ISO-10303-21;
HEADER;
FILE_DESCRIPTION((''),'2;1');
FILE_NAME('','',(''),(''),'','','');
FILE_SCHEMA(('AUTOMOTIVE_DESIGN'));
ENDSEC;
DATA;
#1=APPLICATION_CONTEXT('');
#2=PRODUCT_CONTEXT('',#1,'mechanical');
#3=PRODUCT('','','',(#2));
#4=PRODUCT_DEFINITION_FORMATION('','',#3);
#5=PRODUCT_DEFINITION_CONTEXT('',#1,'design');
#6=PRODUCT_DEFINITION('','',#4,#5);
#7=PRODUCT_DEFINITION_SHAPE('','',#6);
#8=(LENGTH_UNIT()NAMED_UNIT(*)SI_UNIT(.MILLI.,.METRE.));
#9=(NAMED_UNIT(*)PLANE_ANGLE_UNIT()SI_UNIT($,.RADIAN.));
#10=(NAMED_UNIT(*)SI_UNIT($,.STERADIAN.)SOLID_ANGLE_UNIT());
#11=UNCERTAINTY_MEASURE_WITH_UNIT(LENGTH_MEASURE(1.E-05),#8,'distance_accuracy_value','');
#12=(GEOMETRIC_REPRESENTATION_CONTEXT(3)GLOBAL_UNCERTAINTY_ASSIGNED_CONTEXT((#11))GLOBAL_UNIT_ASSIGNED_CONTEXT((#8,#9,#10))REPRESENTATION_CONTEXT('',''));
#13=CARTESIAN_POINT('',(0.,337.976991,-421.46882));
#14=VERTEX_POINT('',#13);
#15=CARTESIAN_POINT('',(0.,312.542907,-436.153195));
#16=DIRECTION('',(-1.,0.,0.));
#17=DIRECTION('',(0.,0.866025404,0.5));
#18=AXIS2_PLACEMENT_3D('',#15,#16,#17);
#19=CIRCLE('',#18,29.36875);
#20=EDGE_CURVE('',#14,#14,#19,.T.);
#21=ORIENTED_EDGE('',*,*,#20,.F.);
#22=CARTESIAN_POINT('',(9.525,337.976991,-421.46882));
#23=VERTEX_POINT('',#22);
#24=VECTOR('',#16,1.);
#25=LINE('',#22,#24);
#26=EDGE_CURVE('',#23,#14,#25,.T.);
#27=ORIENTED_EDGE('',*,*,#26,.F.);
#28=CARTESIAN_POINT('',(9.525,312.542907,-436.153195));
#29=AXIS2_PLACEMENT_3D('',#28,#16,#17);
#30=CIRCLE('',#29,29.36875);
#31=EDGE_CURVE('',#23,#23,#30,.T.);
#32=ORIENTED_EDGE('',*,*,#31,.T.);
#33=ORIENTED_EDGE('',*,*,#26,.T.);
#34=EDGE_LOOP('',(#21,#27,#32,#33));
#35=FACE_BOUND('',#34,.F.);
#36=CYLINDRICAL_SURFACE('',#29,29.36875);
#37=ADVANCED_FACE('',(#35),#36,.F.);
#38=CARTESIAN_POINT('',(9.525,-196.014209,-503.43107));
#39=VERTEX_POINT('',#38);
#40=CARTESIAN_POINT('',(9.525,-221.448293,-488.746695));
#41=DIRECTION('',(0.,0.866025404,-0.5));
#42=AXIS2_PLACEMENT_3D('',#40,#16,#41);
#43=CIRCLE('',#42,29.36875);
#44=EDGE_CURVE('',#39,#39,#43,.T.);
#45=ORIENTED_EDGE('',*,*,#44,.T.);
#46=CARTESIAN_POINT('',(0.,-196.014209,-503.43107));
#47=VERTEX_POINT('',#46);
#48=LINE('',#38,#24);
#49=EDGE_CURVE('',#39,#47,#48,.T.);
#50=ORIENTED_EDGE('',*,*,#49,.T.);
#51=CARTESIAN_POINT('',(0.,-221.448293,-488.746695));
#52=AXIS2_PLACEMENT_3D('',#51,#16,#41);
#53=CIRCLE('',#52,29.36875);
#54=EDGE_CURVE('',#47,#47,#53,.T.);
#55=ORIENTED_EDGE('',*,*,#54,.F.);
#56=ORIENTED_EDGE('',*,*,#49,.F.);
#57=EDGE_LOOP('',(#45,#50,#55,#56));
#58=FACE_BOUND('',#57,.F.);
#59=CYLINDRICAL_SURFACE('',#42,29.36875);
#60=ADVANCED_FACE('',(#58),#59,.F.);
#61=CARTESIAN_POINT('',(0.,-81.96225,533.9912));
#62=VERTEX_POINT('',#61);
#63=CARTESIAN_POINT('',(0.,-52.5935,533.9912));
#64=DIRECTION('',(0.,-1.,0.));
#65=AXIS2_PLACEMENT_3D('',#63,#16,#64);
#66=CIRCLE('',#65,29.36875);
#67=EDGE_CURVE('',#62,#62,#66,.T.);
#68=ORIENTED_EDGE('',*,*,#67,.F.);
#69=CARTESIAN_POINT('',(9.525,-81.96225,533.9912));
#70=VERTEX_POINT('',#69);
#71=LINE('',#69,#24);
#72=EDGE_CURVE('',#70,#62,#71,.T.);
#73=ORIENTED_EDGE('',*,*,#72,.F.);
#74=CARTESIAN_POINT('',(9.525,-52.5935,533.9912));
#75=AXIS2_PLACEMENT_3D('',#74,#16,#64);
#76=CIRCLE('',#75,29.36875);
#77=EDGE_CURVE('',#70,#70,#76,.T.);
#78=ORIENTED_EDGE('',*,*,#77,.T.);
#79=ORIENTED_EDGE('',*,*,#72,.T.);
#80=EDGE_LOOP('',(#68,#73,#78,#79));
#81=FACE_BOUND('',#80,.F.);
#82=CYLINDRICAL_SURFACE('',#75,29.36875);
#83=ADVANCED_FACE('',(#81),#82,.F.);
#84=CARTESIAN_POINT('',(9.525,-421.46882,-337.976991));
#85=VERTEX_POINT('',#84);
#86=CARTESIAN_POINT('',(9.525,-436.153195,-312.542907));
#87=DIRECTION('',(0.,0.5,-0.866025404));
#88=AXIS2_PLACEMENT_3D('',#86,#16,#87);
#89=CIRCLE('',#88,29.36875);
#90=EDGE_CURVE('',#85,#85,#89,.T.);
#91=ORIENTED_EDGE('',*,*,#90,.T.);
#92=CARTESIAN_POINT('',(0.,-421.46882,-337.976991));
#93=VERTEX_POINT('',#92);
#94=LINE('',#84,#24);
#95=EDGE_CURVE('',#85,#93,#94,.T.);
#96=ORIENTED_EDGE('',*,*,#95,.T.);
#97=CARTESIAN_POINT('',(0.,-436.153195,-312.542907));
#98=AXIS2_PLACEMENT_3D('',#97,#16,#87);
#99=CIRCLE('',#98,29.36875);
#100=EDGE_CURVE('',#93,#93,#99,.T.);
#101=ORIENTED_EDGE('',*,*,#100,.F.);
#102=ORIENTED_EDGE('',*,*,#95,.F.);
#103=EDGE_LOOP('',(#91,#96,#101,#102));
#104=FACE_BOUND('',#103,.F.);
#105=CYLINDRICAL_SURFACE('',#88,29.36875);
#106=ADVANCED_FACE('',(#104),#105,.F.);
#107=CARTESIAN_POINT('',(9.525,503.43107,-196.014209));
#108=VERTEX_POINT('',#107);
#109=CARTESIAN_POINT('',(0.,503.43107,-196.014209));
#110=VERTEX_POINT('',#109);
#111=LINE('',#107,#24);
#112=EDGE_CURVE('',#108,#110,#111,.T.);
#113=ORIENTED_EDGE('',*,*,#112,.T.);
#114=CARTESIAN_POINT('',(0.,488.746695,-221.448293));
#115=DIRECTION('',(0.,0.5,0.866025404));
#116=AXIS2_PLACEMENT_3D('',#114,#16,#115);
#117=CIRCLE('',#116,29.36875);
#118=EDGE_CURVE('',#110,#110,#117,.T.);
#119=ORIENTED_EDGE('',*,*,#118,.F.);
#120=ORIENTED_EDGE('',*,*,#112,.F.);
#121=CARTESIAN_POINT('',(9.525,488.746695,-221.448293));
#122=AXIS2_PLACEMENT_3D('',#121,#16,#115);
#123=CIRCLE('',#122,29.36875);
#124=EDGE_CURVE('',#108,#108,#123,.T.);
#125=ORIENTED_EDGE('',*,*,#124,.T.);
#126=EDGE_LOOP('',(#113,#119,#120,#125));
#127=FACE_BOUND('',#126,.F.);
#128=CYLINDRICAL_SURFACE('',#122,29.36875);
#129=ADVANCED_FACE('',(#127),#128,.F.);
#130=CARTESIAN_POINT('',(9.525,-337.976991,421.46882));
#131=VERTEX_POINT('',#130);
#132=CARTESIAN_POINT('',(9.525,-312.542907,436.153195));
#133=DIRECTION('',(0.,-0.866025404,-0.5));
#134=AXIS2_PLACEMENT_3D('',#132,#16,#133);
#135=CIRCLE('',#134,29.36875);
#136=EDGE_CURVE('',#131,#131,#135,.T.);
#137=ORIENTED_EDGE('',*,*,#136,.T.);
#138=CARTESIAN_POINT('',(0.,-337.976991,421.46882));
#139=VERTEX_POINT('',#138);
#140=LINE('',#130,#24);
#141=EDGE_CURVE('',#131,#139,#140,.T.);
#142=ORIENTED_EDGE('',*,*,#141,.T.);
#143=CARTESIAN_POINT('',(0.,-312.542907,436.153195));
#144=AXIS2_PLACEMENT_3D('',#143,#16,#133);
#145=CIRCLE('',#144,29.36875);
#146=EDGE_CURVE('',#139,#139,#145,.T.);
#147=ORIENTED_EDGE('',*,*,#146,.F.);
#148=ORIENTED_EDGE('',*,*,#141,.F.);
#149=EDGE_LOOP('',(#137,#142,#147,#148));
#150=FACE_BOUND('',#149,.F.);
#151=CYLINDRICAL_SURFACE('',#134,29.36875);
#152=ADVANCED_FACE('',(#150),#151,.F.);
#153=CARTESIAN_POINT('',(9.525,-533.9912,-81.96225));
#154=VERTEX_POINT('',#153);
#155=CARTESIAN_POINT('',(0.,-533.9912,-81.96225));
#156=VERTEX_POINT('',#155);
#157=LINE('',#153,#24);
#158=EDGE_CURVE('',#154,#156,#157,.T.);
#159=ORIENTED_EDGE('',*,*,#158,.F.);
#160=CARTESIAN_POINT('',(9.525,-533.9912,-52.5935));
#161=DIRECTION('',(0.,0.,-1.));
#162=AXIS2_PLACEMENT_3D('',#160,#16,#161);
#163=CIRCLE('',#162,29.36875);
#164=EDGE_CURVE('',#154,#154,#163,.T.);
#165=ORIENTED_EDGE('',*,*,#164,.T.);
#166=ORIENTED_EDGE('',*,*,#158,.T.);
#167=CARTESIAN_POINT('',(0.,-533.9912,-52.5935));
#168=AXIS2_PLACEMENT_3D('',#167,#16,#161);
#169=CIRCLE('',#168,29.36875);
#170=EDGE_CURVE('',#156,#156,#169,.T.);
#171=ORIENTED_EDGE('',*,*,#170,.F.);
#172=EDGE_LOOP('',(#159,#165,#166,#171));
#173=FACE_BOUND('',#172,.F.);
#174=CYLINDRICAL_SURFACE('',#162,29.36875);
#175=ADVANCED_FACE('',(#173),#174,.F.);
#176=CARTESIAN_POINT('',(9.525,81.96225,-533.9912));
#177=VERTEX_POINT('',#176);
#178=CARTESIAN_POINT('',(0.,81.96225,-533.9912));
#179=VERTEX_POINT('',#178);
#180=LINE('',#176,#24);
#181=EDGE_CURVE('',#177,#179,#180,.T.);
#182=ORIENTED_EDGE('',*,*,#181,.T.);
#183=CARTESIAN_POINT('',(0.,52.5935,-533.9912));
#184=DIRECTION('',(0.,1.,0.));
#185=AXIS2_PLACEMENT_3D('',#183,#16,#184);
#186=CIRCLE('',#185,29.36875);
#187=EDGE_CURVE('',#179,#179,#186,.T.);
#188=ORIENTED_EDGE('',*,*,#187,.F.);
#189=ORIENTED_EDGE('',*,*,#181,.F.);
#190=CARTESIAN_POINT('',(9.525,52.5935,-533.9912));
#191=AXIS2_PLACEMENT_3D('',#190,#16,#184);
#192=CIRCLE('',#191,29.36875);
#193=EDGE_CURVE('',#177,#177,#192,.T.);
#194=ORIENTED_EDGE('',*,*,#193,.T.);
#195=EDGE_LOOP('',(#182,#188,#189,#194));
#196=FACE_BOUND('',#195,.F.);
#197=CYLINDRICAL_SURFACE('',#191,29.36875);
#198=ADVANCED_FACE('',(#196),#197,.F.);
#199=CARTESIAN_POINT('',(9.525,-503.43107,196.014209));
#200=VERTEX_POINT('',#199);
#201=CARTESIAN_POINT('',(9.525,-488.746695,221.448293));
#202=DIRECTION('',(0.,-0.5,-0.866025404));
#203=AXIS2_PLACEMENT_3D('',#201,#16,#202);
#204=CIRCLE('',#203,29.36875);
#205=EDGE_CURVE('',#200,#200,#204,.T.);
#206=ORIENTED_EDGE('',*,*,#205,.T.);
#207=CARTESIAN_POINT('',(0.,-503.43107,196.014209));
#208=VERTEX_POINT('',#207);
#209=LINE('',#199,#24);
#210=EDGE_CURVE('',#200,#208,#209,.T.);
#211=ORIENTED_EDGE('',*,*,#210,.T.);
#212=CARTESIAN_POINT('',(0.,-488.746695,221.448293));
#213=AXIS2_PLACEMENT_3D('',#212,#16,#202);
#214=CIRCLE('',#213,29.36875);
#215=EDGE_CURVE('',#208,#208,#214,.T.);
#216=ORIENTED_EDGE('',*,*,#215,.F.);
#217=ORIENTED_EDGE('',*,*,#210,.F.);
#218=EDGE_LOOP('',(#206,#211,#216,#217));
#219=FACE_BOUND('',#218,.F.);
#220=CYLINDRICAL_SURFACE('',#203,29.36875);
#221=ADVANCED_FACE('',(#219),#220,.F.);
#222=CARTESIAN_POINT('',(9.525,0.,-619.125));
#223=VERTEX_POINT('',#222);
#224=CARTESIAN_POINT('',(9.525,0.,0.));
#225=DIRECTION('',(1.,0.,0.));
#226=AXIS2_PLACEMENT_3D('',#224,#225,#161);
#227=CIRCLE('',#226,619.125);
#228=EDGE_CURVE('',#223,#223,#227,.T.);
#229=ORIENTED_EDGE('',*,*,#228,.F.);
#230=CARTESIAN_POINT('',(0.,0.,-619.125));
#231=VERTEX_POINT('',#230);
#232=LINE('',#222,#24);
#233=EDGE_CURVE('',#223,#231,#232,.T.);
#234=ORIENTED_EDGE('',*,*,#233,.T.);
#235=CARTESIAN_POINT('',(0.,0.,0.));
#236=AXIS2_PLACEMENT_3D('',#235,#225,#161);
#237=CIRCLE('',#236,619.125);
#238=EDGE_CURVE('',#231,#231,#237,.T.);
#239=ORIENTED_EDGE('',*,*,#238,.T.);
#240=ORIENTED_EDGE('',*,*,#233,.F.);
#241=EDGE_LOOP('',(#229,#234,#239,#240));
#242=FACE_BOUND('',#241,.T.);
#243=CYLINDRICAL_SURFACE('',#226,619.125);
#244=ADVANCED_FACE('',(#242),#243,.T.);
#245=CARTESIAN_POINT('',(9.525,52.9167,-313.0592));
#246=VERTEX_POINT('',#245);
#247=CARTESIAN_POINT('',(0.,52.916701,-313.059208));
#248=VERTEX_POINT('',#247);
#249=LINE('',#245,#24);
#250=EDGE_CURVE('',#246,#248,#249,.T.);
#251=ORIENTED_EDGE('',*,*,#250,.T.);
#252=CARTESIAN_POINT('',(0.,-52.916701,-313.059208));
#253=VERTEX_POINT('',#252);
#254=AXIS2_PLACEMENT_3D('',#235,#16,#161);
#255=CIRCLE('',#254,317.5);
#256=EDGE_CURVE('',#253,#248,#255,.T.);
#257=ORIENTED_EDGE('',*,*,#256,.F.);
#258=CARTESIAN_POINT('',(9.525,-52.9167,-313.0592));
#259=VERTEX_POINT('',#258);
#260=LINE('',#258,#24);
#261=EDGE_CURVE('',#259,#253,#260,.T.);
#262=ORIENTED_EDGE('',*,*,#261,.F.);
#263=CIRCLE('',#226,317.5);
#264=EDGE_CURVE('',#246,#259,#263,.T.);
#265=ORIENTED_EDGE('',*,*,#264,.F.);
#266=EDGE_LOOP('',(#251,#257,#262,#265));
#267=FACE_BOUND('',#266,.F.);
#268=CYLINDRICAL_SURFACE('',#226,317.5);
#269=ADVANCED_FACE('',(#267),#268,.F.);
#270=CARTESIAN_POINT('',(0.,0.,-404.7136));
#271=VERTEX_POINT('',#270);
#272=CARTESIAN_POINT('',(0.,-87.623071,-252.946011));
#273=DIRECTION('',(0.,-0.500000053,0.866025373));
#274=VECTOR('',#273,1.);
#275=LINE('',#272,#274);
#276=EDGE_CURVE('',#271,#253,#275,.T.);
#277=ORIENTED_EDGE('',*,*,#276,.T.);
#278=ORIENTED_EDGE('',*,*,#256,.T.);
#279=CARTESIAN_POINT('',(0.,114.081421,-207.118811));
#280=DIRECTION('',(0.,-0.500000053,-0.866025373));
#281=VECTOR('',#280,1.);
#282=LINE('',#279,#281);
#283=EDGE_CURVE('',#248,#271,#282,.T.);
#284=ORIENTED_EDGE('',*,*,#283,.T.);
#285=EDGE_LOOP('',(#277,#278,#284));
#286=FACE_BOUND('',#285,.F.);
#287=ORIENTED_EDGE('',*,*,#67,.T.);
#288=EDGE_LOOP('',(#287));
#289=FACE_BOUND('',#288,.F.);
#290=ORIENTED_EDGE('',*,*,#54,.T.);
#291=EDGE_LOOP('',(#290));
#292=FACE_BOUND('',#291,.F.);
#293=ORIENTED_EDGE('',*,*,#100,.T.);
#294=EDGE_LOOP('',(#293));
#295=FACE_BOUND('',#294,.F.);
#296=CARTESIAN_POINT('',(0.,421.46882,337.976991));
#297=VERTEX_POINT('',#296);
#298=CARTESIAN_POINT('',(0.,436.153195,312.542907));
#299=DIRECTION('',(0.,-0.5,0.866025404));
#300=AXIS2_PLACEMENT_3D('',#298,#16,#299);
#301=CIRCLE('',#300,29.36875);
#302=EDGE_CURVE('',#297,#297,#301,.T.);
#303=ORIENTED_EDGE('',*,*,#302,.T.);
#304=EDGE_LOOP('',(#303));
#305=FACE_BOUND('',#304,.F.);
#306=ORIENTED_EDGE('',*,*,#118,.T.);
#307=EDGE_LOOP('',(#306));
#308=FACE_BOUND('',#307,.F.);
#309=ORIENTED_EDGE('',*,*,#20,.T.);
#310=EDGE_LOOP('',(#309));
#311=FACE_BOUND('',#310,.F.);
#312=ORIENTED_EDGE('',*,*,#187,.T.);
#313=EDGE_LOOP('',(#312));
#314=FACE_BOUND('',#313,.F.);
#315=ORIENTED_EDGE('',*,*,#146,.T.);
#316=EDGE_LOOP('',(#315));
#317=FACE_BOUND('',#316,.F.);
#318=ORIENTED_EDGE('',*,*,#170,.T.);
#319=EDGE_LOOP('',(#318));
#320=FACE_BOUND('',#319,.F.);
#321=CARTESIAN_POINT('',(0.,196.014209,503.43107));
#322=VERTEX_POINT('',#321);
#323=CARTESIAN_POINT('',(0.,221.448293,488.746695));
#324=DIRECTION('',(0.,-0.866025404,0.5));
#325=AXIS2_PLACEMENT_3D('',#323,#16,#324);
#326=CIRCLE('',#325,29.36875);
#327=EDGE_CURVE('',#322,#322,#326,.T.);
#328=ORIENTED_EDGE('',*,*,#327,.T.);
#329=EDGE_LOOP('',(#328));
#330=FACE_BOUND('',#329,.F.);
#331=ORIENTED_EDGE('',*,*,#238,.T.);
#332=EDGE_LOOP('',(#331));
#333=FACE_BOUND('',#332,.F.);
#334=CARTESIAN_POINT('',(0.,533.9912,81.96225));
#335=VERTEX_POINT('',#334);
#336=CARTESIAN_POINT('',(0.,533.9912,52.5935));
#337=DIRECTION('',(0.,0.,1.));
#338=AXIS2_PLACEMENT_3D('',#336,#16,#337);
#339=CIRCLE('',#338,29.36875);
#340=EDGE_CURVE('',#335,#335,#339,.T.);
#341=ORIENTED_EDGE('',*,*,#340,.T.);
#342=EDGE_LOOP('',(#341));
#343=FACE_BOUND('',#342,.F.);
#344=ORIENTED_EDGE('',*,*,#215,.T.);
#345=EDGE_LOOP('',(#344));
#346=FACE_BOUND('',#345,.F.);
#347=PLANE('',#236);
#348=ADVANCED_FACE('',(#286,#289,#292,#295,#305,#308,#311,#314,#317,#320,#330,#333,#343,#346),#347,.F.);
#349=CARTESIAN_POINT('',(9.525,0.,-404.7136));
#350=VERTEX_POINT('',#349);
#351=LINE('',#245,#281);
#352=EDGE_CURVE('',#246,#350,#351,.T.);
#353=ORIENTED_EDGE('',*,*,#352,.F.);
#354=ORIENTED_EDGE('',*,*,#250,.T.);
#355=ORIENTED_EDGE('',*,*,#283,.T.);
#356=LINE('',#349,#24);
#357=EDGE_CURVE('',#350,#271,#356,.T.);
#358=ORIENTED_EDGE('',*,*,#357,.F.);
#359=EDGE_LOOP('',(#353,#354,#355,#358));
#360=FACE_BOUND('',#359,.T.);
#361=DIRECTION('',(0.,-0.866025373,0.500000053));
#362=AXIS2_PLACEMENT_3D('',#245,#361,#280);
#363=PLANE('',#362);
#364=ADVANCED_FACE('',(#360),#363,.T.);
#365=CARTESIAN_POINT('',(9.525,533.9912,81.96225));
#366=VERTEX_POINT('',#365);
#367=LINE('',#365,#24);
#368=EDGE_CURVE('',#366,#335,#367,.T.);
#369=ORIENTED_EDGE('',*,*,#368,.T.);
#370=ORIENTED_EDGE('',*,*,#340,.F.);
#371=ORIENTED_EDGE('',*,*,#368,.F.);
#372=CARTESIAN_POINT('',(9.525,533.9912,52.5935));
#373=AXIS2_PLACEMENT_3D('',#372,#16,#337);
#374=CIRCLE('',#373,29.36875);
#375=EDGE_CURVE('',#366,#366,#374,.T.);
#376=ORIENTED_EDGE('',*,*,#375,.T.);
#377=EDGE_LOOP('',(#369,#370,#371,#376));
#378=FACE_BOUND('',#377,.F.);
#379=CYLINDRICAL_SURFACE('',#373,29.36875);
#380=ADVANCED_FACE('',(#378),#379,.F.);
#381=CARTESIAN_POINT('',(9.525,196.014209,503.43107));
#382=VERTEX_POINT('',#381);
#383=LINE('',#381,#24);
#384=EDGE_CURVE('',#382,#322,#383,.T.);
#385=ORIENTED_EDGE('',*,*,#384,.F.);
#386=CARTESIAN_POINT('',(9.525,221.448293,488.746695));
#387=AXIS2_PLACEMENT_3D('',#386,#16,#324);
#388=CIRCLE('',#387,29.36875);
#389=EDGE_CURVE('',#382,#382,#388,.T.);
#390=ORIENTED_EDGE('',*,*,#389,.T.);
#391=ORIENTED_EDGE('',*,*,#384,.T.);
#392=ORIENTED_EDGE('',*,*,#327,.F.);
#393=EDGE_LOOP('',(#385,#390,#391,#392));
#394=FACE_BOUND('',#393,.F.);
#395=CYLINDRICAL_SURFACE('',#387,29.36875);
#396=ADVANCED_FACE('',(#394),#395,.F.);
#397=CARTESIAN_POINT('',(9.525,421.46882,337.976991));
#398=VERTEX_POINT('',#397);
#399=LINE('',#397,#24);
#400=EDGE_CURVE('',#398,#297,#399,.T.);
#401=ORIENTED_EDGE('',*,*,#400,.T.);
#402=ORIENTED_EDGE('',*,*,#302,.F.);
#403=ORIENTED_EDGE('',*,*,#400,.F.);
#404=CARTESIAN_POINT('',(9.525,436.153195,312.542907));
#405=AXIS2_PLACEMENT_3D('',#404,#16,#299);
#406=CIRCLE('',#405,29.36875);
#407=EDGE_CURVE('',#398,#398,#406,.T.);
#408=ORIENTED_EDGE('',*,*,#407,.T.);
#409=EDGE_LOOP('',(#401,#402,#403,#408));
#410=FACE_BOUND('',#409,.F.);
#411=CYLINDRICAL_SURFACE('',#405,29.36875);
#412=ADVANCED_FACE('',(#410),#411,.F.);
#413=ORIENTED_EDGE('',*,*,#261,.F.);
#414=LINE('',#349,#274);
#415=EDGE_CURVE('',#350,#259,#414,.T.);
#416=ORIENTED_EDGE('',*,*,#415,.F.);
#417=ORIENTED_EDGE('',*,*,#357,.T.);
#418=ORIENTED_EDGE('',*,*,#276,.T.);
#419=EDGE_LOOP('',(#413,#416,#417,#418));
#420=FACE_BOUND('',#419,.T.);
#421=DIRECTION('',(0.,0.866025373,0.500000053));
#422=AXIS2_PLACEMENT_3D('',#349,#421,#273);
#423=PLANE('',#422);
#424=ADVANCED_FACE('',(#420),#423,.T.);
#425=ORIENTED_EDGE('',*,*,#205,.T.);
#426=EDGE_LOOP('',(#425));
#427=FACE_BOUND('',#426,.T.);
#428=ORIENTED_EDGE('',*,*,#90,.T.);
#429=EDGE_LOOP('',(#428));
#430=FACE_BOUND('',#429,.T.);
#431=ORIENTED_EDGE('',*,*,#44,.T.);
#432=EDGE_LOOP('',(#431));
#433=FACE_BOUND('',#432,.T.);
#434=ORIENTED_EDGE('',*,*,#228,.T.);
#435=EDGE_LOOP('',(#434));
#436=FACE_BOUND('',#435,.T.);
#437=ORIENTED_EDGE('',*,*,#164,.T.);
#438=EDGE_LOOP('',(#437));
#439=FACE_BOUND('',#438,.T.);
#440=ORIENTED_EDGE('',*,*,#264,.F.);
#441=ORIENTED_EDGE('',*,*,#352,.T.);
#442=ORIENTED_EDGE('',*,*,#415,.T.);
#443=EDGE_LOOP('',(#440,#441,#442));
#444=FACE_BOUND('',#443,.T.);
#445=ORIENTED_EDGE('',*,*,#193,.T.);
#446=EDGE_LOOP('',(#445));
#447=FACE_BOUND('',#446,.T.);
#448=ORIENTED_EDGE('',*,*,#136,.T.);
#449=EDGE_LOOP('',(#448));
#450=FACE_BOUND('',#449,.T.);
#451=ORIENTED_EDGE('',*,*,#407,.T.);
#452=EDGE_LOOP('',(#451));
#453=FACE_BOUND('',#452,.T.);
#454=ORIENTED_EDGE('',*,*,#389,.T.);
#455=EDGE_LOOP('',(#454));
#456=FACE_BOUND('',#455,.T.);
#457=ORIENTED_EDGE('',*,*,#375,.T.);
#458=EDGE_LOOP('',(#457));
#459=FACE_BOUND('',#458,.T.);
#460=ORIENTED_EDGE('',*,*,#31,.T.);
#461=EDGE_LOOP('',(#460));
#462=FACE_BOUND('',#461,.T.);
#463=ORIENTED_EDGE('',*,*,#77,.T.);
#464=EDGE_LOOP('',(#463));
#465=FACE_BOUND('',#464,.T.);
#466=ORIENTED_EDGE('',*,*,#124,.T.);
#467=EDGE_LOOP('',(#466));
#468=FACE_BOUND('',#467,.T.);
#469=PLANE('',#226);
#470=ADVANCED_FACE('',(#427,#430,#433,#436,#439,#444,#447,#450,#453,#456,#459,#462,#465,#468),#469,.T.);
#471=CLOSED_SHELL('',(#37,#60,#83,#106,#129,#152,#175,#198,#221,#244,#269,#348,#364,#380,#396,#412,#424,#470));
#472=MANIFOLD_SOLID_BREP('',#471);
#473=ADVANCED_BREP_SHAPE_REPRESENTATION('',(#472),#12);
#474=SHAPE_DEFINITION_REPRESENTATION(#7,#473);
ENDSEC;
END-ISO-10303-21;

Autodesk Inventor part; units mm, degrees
ref_plane "UCSBasePlConstraintOrigin: YZ Plane" through (0, 0, 0) normal (0, 0, -1) x (0, 1, 0)
ref_plane "UCSBasePlConstraintOrigin: XZ Plane" through (0, 0, 0) normal (0, 1, 0) x (1, 0, 0)
ref_plane "BASE_PLATE_FACE" through (9.525, 0, 0) normal (1, 0, 0) x (0, 1, 0)
sketch "BASE_PLATE_SKETCH" plane through (9.525, 0, 0) normal (1, 0, 0) x (0, 0, -1)
  circle A0 centre (0, 0) radius 536.575 construction
  circle A1 centre (0, 0) radius 317.5
  line L0 (0, 536.575) -> (0, 536.575) construction
  circle A2 centre (0, 0) radius 619.125
  line L1 (0, 0) -> (-52.5935, -533.9912) construction
  line L2 (0, 0) -> (52.5935, -533.9912) construction
  line L3 (313.0592, 52.9167) -> (404.7136, 0)
  line L4 (404.7136, 0) -> (313.0592, -52.9167)
  line L5 (313.0592, -52.9167) -> (313.0592, 52.9167)
  line L6 (0, 0) -> (0, 536.575) construction
  line L7 (0, 0) -> (267.5578, 465.1081) construction
  point P0 (-619.125, 0)
  point P1 (619.125, 0)
  point P2 (0, 619.125)
  point P3 (0, -619.125)
  point P4 (0, 619.125)
  point P5 (619.125, 0)
  point P6 (0, -619.125)
  point P7 (-619.125, 0)
  point P8 (343.6107, 0)
  point P9 (313.0592, 0)
  point P10 (313.0592, -52.9167)
  dimension "GapSize" = 9.525
  dimension "SeamGap" = 0.0051
  dimension "Thickness" = 9.525
  dimension "BendRadius" = 9.525
  dimension "MinimumRemnant" = 19.05
  dimension "BendReliefDepth" = 4.7625
  dimension "BendReliefWidth" = 9.525
  dimension "CornerReliefSize" = 38.1
  dimension "JacobiRadiusSize" = 9.525
  dimension "TransitionRadius" = 9.525
  dimension "TEMPLATE_CENTER_HOLE_DIA" = 635
  dimension "NUMBER_OF_HOLES_IN_BOLT_PLATE" = 12
  dimension "BOLT_CIRCLE_DIA" = 1073.15
  dimension "TEMPLATE_DIA" = 1238.25
  dimension "PARENT_HOLE_ANG_L" = 5.625
  dimension "PARENT_HOLE_ANG_R" = 5.625
  dimension "NOTCH_LEG" = 105.8333
  dimension "d297" = 105.8333
  dimension "LEADER_PLACE_A_ANG" = 29.91
extrude "BASE_PLATE_BODY" add sketch "BASE_PLATE_SKETCH" against normal up to surface (9.525 mm away) contours A1 L3 L4 | A2
ref_plane "SHAFT_MOUNTING_PLANE" through (9.525, 0, 0) normal (1, 0, 0) x (0, 1, 0)
hole "PARENT_HOLE" at (9.525, -533.9912, -52.5935) direction (-1, 0, 0) diameter 58.7375 depth 9.525 tip angle 118
pattern_circular "BOLT_HOLES" count 12 over 360 about axis through (-10, 0, 0) along (1, 0, 0) of "PARENT_HOLE"
ref_plane "DimPlaneRight" through (0, 0, -619.125) normal (0, 0, 1) x (1, 0, 0)
ref_plane "DimPlaneLeft" through (0, 0, 619.125) normal (0, 0, 1) x (1, 0, 0)
ref_plane "DimPlaneTop" through (0, 619.125, 0) normal (0, 1, 0) x (-1, 0, 0)
ref_plane "DimPlaneBtm" through (0, -619.125, 0) normal (0, 1, 0) x (-1, 0, 0)
ref_plane "PLPointBngPltCenterHoleDia" through (0, 0, 0) normal (0, -0.866, 0.5) x (1, 0, 0)
extrude "V NOTCH CUT" cut sketch "BASE_PLATE_SKETCH" against normal through all contours A1 L3 L4
equation "\"BOLT_CIRCLE_DIA\" = INPUT_BOLT_CIRCLE_DIAMETER"
equation "\"INPUT_TEMPLATE_DIAMETER\" = 1238.25"
equation "\"INPUT_BOLT_HOLE_SIZE\" = 58.7375"
equation "\"INPUT_BOLT_CIRCLE_DIAMETER\" = 1073.15"
equation "\"INPUT_PARENT_HOLE_ANG_OFF_90_270\" = 5.625deg"
equation "\"SHAFT_B_DIST_AK_BOTTOM\" = 933.5008"
equation "\"SHAFT_B_DIST_AF_BOTTOM\" = 901.7"
equation "\"SHAFT_B_Thickness\" = 7.9502"
equation "\"INPUT_CENTER_HOLE_DIAMETER\" = 635"
equation "\"LEADER_PLACE_A\" = 68.5deg"
equation "\"TEMPLATE_RAD\" = 619.125"
properties part number "25-00000E_TEMPLATE_TOP" material "A572 GRADE 65"
